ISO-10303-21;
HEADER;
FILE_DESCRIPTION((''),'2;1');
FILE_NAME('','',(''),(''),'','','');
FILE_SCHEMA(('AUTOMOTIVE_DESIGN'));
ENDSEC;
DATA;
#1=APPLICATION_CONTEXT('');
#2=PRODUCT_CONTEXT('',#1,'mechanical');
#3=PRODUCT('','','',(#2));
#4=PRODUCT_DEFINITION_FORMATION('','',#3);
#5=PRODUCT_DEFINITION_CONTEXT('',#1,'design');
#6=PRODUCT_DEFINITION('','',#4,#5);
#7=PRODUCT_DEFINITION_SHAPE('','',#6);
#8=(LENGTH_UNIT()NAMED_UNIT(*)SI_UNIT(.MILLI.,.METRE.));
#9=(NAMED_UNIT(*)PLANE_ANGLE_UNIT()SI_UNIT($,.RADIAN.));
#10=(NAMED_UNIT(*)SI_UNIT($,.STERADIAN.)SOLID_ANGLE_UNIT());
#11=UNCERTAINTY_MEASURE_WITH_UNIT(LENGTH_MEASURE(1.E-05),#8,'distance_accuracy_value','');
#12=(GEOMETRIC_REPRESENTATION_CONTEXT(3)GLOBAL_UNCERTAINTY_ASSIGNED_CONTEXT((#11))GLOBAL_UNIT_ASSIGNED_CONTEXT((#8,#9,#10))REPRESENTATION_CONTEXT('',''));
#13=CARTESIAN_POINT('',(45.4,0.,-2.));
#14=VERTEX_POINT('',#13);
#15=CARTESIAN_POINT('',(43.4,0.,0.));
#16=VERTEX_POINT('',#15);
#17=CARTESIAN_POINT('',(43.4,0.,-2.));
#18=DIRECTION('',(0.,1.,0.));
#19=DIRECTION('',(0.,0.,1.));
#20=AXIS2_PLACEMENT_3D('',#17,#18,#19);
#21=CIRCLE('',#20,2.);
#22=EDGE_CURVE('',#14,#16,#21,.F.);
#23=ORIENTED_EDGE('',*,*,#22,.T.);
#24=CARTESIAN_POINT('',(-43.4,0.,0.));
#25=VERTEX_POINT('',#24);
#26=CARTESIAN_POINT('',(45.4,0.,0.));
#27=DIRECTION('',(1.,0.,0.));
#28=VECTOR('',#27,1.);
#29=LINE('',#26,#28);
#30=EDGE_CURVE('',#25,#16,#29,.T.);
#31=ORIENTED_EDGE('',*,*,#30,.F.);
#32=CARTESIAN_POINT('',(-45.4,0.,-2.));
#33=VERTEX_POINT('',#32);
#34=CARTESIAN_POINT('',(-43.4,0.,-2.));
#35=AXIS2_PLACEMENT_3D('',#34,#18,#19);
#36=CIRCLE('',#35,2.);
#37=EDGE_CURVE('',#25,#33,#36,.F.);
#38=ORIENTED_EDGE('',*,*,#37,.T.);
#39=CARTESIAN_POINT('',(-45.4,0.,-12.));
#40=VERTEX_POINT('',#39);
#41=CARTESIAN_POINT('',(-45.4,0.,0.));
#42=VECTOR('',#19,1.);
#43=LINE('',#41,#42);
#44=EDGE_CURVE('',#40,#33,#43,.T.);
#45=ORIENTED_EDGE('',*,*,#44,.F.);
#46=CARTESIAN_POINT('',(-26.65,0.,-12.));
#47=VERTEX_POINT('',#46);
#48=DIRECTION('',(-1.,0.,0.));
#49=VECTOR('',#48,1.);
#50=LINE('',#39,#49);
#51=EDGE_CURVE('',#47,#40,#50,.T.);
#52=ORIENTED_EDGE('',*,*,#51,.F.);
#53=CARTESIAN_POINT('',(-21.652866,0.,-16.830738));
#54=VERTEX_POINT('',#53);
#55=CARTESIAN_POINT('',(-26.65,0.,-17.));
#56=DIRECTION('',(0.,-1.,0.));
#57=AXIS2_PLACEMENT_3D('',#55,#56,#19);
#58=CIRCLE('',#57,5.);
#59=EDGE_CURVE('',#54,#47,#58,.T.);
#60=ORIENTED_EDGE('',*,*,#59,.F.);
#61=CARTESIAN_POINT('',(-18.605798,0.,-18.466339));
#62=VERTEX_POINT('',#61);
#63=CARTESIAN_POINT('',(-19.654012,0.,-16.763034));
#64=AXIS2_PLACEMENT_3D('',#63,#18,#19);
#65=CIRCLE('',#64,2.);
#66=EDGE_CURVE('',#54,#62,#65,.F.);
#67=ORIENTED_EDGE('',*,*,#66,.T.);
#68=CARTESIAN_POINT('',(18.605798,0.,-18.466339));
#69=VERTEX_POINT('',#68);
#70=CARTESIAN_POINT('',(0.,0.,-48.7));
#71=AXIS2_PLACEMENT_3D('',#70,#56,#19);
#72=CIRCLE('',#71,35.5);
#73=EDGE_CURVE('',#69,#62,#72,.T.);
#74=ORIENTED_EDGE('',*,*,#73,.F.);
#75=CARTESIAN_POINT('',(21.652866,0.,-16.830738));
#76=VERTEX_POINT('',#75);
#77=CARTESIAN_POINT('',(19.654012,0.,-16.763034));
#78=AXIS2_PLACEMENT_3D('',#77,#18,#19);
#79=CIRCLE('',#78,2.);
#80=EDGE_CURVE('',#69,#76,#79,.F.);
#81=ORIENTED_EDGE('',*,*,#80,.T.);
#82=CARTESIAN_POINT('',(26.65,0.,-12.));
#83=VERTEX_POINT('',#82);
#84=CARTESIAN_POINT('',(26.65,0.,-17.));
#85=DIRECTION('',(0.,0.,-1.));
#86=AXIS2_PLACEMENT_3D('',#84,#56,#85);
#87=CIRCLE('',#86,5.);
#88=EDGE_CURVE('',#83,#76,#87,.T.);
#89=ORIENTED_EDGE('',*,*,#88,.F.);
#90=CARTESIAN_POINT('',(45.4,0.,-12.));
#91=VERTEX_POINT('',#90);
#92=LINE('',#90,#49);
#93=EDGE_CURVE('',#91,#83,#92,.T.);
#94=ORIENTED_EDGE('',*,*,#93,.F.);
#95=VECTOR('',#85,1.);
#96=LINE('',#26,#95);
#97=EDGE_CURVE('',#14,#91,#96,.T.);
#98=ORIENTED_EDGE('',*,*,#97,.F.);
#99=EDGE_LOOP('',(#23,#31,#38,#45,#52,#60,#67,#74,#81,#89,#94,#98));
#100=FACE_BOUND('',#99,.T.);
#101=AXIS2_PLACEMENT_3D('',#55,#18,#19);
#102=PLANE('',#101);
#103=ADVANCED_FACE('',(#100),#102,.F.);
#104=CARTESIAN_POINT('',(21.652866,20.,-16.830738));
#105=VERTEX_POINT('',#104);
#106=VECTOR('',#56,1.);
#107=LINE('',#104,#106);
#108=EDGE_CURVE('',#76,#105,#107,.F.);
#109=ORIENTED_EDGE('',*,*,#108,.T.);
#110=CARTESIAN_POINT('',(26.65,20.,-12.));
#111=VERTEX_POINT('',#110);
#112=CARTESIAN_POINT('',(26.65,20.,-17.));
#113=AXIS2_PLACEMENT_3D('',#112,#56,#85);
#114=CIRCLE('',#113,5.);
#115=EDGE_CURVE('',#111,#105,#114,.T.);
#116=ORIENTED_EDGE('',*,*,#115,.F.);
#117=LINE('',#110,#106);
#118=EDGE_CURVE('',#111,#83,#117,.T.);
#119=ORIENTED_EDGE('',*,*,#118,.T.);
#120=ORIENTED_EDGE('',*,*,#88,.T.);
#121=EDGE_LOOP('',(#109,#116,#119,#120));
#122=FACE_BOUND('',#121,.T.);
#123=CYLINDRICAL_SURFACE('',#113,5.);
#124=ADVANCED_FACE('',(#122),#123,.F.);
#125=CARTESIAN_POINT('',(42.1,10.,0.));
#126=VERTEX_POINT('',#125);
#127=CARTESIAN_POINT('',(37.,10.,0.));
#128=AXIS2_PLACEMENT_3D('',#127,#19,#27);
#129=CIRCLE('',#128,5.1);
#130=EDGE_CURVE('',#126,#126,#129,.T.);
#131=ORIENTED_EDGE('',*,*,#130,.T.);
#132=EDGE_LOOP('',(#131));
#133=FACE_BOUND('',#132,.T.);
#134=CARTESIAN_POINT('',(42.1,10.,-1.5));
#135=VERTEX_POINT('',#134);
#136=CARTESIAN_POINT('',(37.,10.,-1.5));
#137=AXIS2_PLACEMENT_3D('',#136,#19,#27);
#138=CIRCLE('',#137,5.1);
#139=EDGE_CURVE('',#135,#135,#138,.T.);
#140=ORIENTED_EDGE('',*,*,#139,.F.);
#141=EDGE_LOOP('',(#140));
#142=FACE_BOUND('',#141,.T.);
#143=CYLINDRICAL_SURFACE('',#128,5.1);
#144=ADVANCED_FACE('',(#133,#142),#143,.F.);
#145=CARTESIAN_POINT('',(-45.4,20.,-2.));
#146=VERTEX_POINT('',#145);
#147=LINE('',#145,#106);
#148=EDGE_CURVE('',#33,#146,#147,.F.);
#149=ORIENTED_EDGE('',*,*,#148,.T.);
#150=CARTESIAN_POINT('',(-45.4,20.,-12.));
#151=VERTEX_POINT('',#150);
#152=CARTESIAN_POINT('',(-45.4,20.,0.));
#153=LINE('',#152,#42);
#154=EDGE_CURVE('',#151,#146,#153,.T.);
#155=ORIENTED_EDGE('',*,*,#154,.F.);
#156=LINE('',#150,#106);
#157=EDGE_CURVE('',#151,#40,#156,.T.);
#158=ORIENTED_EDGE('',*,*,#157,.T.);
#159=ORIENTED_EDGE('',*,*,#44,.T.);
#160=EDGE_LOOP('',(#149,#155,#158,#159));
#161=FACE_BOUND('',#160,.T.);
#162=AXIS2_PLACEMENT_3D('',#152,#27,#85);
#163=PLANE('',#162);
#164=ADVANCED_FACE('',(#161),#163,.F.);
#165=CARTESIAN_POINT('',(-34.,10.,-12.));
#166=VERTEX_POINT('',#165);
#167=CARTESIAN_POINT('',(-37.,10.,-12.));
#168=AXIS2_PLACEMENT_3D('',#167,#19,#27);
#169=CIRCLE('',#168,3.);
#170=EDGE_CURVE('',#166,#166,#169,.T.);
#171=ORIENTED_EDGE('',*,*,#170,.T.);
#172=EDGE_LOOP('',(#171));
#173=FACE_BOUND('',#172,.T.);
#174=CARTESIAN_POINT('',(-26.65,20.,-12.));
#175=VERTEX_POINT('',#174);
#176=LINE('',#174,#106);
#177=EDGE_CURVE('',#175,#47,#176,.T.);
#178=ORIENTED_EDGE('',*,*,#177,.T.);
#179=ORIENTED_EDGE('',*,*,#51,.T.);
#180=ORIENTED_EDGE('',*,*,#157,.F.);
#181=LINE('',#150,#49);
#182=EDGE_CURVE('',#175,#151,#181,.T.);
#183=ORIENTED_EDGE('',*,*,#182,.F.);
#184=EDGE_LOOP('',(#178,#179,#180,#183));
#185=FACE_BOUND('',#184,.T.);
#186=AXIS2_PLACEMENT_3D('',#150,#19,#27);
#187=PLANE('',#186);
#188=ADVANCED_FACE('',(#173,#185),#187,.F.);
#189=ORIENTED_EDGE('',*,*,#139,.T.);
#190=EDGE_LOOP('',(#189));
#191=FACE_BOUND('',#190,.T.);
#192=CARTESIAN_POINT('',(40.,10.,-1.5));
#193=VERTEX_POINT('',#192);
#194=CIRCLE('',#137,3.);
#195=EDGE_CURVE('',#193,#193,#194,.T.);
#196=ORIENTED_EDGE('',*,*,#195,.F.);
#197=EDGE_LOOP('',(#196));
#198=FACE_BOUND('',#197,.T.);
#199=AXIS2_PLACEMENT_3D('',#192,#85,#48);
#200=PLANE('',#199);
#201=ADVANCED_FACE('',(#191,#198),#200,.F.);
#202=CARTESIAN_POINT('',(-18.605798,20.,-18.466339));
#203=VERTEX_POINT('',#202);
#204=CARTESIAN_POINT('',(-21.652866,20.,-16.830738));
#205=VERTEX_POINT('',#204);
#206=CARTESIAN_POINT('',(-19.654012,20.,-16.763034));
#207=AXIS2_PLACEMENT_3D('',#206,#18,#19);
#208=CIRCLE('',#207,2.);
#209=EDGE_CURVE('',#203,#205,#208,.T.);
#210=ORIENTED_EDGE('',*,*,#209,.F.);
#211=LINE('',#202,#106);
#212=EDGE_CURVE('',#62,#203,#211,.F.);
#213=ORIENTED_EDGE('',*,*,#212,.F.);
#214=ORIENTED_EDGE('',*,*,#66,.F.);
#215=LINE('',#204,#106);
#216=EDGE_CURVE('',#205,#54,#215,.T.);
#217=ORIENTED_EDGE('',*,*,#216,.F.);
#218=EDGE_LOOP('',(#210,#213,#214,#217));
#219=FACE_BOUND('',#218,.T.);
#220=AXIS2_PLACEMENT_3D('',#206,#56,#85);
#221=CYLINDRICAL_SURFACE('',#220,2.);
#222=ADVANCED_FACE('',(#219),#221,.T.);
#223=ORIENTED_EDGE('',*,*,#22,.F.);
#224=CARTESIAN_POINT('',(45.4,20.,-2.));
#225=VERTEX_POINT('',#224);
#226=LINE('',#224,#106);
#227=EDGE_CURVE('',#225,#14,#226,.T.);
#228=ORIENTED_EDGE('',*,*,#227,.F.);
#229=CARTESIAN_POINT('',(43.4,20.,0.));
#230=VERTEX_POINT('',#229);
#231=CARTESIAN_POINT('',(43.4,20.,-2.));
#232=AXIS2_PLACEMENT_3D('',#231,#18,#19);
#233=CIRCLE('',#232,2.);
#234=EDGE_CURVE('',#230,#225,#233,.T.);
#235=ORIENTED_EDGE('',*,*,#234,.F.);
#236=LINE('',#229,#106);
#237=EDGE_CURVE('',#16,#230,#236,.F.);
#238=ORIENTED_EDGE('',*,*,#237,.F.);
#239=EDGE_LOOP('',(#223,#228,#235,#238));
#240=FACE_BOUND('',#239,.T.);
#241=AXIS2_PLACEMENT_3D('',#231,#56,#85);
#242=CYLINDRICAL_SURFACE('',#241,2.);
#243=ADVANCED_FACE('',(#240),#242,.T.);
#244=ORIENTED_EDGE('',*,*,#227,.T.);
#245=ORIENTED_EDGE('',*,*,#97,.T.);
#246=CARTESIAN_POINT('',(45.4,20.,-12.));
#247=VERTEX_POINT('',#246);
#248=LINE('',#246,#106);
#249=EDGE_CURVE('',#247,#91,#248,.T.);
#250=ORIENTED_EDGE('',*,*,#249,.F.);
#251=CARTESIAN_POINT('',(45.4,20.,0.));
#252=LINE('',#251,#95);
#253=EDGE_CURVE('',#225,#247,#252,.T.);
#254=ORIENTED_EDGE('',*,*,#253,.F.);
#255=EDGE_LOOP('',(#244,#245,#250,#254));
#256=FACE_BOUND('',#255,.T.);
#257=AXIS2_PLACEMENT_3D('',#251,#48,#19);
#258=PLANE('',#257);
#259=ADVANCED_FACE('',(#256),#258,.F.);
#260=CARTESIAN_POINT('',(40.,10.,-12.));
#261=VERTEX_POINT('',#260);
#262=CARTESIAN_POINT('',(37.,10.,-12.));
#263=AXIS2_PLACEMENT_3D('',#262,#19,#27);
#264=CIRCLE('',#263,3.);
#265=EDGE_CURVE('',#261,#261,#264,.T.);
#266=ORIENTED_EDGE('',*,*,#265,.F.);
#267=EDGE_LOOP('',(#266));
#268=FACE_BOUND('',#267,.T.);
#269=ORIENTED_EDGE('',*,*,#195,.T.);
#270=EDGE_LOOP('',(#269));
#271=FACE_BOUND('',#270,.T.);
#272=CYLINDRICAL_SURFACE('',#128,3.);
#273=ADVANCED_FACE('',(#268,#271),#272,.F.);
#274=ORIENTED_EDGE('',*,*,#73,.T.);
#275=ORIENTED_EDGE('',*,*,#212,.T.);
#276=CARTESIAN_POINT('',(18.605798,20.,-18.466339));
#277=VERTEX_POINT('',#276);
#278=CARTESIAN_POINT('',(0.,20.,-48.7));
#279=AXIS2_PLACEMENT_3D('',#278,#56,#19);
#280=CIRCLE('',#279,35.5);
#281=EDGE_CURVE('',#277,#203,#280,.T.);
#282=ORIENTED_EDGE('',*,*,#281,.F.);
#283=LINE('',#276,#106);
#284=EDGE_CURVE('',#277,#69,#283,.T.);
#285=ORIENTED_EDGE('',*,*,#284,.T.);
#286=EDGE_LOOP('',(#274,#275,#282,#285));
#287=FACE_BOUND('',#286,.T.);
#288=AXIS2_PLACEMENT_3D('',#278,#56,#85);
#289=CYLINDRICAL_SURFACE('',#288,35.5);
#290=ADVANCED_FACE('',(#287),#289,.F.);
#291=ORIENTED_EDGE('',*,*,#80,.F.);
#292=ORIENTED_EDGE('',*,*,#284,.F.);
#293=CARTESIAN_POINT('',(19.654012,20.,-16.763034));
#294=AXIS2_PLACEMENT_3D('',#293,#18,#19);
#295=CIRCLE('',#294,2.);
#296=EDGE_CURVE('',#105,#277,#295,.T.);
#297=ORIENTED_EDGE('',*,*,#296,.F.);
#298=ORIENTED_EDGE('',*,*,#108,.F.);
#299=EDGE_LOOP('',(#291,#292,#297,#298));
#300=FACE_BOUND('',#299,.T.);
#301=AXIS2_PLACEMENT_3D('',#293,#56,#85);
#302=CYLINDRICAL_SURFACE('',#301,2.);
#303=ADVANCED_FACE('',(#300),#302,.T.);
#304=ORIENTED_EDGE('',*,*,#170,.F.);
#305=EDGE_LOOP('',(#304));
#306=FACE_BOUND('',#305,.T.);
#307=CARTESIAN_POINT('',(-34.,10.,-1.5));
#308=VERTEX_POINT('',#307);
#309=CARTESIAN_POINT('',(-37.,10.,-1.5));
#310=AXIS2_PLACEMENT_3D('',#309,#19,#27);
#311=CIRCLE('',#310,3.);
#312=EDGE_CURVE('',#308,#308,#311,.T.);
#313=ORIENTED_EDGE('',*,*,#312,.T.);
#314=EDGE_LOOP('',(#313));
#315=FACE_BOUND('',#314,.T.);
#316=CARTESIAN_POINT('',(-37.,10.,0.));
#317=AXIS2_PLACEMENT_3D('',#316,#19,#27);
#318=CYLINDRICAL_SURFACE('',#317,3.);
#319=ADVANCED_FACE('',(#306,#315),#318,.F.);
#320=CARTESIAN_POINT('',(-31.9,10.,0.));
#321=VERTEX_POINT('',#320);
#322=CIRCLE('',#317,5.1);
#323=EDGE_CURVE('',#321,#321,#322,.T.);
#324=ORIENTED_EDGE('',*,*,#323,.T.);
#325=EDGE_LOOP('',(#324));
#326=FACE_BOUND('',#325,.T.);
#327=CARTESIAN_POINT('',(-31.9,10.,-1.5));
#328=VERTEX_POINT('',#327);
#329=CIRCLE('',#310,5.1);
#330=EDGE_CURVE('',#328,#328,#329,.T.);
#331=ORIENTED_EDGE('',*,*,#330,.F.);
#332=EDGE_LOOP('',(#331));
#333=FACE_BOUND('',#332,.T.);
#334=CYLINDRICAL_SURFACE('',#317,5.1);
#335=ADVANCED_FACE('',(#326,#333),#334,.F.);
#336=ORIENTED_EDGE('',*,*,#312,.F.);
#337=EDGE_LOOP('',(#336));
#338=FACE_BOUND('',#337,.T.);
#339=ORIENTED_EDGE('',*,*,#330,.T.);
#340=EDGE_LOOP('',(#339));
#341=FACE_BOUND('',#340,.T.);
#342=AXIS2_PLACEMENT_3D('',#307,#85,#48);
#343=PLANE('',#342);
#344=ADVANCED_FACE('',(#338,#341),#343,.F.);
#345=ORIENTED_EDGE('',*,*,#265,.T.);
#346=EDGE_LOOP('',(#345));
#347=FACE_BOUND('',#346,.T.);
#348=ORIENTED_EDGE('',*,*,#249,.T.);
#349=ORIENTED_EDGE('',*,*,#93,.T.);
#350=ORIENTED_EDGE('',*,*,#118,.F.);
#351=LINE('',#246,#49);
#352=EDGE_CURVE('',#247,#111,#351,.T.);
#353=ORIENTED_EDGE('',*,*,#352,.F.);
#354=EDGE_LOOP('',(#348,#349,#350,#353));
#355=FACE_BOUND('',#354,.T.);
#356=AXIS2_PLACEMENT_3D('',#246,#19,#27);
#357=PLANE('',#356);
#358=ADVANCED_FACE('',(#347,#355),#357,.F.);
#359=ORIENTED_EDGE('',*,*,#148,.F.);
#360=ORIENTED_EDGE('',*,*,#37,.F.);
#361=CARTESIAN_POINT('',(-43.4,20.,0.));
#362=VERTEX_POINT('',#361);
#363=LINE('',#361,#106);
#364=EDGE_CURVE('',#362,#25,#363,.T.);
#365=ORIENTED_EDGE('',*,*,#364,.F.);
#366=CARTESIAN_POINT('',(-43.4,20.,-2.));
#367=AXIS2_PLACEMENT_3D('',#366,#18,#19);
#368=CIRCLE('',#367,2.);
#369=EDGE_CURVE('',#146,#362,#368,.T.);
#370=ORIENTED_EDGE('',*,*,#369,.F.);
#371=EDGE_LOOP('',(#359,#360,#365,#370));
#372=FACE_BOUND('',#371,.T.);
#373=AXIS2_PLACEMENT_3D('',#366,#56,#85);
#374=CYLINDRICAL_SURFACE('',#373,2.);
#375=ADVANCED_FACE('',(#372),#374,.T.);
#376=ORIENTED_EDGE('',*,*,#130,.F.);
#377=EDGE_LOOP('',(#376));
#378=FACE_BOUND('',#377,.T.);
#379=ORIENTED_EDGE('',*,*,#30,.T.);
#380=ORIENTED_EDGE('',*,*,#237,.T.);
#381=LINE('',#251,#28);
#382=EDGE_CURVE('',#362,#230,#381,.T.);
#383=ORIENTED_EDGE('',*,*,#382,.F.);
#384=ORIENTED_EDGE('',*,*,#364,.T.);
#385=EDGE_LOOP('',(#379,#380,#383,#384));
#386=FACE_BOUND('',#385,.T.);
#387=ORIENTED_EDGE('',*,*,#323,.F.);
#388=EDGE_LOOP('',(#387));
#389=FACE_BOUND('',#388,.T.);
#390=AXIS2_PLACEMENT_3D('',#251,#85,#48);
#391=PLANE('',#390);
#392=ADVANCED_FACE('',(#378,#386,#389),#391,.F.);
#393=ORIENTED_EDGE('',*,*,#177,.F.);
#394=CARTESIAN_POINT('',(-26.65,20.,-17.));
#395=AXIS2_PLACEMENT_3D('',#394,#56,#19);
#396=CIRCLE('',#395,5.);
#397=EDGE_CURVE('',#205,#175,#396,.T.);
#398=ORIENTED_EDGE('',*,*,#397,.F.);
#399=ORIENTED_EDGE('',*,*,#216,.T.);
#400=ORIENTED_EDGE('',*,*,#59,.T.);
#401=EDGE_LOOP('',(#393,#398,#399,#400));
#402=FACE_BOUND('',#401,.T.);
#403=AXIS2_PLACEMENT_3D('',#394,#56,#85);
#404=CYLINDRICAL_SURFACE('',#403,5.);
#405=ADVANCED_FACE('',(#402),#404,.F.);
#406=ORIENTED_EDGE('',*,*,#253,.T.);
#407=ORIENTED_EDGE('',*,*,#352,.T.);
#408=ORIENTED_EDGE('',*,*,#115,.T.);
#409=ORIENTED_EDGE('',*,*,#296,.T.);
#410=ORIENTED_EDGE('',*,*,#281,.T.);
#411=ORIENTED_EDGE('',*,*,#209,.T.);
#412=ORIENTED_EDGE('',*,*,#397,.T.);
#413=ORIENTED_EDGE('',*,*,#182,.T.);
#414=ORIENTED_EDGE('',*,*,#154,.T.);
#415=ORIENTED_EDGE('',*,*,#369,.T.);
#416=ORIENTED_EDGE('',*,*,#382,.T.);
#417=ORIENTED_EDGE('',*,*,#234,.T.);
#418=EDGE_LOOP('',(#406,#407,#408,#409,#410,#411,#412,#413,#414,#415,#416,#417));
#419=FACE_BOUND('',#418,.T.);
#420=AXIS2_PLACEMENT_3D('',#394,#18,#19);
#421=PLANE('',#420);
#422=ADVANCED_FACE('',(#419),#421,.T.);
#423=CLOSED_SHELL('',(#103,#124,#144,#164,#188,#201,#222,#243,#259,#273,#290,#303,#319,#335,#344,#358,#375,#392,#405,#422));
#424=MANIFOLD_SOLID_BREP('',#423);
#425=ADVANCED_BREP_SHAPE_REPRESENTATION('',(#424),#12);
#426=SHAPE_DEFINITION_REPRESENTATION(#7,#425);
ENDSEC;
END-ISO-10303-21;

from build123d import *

# Parameters (mm, degrees)
BOSS_EXTRUDE1_DEPTH = 20
FILLET1_R           = 2
HOLE1_D             = 6
HOLE1_DEPTH         = 20.26
HOLE1_CBORE_D       = 10.2
HOLE1_CBORE_DEPTH   = 1.5
HOLE1_TIP           = 1.802581857
FILLET2_R           = 2


with BuildPart() as part:
    # Sketch1 → Boss-Extrude1 (new body)
    with BuildSketch(Plane(origin=(0, 0, 0), x_dir=(1, 0, 0), z_dir=(0, 1, 0))):
        with BuildLine():
            Line((45.4, 0), (-45.4, 0))
            Line((-45.4, 0), (-45.4, 12))
            Line((-45.4, 12), (-26.65, 12))
            ThreePointArc((-26.65, 12), (-23.114466094, 13.464466094), (-21.65, 17))
            Line((-21.65, 17), (-21.65, 20.565901472))
            ThreePointArc((-21.65, 20.565901472), (0, 13.2), (21.65, 20.565901472))
            Line((21.65, 20.565901472), (21.65, 17))
            ThreePointArc((21.65, 17), (23.114466094, 13.464466094), (26.65, 12))
            Line((26.65, 12), (45.4, 12))
            Line((45.4, 12), (45.4, 0))
        make_face()
    extrude(amount=BOSS_EXTRUDE1_DEPTH)

    # Fillet1
    fillet1_edges = [part.edges().sort_by_distance(p)[0] for p in [
        (21.65, 10, -20.565901472),
        (-21.65, 10, -20.565901472),
    ]]
    fillet(fillet1_edges, radius=FILLET1_R)

    # Hole1
    with Locations(Plane.XY):
        with Locations((-37, 10), (37, 10)):
            CounterBoreHole(HOLE1_D / 2, HOLE1_CBORE_D / 2, HOLE1_CBORE_DEPTH, depth=HOLE1_DEPTH)
            with Locations((0, 0, -(HOLE1_DEPTH + HOLE1_TIP / 2))):  # 118° drill point
                Cone(0, HOLE1_D / 2, HOLE1_TIP, mode=Mode.SUBTRACT)

    # Fillet2
    fillet2_edges = [part.edges().sort_by_distance(p)[0] for p in [
        (45.4, 10, 0),
        (-45.4, 10, 0),
    ]]
    fillet(fillet2_edges, radius=FILLET2_R)


solid = part.part
